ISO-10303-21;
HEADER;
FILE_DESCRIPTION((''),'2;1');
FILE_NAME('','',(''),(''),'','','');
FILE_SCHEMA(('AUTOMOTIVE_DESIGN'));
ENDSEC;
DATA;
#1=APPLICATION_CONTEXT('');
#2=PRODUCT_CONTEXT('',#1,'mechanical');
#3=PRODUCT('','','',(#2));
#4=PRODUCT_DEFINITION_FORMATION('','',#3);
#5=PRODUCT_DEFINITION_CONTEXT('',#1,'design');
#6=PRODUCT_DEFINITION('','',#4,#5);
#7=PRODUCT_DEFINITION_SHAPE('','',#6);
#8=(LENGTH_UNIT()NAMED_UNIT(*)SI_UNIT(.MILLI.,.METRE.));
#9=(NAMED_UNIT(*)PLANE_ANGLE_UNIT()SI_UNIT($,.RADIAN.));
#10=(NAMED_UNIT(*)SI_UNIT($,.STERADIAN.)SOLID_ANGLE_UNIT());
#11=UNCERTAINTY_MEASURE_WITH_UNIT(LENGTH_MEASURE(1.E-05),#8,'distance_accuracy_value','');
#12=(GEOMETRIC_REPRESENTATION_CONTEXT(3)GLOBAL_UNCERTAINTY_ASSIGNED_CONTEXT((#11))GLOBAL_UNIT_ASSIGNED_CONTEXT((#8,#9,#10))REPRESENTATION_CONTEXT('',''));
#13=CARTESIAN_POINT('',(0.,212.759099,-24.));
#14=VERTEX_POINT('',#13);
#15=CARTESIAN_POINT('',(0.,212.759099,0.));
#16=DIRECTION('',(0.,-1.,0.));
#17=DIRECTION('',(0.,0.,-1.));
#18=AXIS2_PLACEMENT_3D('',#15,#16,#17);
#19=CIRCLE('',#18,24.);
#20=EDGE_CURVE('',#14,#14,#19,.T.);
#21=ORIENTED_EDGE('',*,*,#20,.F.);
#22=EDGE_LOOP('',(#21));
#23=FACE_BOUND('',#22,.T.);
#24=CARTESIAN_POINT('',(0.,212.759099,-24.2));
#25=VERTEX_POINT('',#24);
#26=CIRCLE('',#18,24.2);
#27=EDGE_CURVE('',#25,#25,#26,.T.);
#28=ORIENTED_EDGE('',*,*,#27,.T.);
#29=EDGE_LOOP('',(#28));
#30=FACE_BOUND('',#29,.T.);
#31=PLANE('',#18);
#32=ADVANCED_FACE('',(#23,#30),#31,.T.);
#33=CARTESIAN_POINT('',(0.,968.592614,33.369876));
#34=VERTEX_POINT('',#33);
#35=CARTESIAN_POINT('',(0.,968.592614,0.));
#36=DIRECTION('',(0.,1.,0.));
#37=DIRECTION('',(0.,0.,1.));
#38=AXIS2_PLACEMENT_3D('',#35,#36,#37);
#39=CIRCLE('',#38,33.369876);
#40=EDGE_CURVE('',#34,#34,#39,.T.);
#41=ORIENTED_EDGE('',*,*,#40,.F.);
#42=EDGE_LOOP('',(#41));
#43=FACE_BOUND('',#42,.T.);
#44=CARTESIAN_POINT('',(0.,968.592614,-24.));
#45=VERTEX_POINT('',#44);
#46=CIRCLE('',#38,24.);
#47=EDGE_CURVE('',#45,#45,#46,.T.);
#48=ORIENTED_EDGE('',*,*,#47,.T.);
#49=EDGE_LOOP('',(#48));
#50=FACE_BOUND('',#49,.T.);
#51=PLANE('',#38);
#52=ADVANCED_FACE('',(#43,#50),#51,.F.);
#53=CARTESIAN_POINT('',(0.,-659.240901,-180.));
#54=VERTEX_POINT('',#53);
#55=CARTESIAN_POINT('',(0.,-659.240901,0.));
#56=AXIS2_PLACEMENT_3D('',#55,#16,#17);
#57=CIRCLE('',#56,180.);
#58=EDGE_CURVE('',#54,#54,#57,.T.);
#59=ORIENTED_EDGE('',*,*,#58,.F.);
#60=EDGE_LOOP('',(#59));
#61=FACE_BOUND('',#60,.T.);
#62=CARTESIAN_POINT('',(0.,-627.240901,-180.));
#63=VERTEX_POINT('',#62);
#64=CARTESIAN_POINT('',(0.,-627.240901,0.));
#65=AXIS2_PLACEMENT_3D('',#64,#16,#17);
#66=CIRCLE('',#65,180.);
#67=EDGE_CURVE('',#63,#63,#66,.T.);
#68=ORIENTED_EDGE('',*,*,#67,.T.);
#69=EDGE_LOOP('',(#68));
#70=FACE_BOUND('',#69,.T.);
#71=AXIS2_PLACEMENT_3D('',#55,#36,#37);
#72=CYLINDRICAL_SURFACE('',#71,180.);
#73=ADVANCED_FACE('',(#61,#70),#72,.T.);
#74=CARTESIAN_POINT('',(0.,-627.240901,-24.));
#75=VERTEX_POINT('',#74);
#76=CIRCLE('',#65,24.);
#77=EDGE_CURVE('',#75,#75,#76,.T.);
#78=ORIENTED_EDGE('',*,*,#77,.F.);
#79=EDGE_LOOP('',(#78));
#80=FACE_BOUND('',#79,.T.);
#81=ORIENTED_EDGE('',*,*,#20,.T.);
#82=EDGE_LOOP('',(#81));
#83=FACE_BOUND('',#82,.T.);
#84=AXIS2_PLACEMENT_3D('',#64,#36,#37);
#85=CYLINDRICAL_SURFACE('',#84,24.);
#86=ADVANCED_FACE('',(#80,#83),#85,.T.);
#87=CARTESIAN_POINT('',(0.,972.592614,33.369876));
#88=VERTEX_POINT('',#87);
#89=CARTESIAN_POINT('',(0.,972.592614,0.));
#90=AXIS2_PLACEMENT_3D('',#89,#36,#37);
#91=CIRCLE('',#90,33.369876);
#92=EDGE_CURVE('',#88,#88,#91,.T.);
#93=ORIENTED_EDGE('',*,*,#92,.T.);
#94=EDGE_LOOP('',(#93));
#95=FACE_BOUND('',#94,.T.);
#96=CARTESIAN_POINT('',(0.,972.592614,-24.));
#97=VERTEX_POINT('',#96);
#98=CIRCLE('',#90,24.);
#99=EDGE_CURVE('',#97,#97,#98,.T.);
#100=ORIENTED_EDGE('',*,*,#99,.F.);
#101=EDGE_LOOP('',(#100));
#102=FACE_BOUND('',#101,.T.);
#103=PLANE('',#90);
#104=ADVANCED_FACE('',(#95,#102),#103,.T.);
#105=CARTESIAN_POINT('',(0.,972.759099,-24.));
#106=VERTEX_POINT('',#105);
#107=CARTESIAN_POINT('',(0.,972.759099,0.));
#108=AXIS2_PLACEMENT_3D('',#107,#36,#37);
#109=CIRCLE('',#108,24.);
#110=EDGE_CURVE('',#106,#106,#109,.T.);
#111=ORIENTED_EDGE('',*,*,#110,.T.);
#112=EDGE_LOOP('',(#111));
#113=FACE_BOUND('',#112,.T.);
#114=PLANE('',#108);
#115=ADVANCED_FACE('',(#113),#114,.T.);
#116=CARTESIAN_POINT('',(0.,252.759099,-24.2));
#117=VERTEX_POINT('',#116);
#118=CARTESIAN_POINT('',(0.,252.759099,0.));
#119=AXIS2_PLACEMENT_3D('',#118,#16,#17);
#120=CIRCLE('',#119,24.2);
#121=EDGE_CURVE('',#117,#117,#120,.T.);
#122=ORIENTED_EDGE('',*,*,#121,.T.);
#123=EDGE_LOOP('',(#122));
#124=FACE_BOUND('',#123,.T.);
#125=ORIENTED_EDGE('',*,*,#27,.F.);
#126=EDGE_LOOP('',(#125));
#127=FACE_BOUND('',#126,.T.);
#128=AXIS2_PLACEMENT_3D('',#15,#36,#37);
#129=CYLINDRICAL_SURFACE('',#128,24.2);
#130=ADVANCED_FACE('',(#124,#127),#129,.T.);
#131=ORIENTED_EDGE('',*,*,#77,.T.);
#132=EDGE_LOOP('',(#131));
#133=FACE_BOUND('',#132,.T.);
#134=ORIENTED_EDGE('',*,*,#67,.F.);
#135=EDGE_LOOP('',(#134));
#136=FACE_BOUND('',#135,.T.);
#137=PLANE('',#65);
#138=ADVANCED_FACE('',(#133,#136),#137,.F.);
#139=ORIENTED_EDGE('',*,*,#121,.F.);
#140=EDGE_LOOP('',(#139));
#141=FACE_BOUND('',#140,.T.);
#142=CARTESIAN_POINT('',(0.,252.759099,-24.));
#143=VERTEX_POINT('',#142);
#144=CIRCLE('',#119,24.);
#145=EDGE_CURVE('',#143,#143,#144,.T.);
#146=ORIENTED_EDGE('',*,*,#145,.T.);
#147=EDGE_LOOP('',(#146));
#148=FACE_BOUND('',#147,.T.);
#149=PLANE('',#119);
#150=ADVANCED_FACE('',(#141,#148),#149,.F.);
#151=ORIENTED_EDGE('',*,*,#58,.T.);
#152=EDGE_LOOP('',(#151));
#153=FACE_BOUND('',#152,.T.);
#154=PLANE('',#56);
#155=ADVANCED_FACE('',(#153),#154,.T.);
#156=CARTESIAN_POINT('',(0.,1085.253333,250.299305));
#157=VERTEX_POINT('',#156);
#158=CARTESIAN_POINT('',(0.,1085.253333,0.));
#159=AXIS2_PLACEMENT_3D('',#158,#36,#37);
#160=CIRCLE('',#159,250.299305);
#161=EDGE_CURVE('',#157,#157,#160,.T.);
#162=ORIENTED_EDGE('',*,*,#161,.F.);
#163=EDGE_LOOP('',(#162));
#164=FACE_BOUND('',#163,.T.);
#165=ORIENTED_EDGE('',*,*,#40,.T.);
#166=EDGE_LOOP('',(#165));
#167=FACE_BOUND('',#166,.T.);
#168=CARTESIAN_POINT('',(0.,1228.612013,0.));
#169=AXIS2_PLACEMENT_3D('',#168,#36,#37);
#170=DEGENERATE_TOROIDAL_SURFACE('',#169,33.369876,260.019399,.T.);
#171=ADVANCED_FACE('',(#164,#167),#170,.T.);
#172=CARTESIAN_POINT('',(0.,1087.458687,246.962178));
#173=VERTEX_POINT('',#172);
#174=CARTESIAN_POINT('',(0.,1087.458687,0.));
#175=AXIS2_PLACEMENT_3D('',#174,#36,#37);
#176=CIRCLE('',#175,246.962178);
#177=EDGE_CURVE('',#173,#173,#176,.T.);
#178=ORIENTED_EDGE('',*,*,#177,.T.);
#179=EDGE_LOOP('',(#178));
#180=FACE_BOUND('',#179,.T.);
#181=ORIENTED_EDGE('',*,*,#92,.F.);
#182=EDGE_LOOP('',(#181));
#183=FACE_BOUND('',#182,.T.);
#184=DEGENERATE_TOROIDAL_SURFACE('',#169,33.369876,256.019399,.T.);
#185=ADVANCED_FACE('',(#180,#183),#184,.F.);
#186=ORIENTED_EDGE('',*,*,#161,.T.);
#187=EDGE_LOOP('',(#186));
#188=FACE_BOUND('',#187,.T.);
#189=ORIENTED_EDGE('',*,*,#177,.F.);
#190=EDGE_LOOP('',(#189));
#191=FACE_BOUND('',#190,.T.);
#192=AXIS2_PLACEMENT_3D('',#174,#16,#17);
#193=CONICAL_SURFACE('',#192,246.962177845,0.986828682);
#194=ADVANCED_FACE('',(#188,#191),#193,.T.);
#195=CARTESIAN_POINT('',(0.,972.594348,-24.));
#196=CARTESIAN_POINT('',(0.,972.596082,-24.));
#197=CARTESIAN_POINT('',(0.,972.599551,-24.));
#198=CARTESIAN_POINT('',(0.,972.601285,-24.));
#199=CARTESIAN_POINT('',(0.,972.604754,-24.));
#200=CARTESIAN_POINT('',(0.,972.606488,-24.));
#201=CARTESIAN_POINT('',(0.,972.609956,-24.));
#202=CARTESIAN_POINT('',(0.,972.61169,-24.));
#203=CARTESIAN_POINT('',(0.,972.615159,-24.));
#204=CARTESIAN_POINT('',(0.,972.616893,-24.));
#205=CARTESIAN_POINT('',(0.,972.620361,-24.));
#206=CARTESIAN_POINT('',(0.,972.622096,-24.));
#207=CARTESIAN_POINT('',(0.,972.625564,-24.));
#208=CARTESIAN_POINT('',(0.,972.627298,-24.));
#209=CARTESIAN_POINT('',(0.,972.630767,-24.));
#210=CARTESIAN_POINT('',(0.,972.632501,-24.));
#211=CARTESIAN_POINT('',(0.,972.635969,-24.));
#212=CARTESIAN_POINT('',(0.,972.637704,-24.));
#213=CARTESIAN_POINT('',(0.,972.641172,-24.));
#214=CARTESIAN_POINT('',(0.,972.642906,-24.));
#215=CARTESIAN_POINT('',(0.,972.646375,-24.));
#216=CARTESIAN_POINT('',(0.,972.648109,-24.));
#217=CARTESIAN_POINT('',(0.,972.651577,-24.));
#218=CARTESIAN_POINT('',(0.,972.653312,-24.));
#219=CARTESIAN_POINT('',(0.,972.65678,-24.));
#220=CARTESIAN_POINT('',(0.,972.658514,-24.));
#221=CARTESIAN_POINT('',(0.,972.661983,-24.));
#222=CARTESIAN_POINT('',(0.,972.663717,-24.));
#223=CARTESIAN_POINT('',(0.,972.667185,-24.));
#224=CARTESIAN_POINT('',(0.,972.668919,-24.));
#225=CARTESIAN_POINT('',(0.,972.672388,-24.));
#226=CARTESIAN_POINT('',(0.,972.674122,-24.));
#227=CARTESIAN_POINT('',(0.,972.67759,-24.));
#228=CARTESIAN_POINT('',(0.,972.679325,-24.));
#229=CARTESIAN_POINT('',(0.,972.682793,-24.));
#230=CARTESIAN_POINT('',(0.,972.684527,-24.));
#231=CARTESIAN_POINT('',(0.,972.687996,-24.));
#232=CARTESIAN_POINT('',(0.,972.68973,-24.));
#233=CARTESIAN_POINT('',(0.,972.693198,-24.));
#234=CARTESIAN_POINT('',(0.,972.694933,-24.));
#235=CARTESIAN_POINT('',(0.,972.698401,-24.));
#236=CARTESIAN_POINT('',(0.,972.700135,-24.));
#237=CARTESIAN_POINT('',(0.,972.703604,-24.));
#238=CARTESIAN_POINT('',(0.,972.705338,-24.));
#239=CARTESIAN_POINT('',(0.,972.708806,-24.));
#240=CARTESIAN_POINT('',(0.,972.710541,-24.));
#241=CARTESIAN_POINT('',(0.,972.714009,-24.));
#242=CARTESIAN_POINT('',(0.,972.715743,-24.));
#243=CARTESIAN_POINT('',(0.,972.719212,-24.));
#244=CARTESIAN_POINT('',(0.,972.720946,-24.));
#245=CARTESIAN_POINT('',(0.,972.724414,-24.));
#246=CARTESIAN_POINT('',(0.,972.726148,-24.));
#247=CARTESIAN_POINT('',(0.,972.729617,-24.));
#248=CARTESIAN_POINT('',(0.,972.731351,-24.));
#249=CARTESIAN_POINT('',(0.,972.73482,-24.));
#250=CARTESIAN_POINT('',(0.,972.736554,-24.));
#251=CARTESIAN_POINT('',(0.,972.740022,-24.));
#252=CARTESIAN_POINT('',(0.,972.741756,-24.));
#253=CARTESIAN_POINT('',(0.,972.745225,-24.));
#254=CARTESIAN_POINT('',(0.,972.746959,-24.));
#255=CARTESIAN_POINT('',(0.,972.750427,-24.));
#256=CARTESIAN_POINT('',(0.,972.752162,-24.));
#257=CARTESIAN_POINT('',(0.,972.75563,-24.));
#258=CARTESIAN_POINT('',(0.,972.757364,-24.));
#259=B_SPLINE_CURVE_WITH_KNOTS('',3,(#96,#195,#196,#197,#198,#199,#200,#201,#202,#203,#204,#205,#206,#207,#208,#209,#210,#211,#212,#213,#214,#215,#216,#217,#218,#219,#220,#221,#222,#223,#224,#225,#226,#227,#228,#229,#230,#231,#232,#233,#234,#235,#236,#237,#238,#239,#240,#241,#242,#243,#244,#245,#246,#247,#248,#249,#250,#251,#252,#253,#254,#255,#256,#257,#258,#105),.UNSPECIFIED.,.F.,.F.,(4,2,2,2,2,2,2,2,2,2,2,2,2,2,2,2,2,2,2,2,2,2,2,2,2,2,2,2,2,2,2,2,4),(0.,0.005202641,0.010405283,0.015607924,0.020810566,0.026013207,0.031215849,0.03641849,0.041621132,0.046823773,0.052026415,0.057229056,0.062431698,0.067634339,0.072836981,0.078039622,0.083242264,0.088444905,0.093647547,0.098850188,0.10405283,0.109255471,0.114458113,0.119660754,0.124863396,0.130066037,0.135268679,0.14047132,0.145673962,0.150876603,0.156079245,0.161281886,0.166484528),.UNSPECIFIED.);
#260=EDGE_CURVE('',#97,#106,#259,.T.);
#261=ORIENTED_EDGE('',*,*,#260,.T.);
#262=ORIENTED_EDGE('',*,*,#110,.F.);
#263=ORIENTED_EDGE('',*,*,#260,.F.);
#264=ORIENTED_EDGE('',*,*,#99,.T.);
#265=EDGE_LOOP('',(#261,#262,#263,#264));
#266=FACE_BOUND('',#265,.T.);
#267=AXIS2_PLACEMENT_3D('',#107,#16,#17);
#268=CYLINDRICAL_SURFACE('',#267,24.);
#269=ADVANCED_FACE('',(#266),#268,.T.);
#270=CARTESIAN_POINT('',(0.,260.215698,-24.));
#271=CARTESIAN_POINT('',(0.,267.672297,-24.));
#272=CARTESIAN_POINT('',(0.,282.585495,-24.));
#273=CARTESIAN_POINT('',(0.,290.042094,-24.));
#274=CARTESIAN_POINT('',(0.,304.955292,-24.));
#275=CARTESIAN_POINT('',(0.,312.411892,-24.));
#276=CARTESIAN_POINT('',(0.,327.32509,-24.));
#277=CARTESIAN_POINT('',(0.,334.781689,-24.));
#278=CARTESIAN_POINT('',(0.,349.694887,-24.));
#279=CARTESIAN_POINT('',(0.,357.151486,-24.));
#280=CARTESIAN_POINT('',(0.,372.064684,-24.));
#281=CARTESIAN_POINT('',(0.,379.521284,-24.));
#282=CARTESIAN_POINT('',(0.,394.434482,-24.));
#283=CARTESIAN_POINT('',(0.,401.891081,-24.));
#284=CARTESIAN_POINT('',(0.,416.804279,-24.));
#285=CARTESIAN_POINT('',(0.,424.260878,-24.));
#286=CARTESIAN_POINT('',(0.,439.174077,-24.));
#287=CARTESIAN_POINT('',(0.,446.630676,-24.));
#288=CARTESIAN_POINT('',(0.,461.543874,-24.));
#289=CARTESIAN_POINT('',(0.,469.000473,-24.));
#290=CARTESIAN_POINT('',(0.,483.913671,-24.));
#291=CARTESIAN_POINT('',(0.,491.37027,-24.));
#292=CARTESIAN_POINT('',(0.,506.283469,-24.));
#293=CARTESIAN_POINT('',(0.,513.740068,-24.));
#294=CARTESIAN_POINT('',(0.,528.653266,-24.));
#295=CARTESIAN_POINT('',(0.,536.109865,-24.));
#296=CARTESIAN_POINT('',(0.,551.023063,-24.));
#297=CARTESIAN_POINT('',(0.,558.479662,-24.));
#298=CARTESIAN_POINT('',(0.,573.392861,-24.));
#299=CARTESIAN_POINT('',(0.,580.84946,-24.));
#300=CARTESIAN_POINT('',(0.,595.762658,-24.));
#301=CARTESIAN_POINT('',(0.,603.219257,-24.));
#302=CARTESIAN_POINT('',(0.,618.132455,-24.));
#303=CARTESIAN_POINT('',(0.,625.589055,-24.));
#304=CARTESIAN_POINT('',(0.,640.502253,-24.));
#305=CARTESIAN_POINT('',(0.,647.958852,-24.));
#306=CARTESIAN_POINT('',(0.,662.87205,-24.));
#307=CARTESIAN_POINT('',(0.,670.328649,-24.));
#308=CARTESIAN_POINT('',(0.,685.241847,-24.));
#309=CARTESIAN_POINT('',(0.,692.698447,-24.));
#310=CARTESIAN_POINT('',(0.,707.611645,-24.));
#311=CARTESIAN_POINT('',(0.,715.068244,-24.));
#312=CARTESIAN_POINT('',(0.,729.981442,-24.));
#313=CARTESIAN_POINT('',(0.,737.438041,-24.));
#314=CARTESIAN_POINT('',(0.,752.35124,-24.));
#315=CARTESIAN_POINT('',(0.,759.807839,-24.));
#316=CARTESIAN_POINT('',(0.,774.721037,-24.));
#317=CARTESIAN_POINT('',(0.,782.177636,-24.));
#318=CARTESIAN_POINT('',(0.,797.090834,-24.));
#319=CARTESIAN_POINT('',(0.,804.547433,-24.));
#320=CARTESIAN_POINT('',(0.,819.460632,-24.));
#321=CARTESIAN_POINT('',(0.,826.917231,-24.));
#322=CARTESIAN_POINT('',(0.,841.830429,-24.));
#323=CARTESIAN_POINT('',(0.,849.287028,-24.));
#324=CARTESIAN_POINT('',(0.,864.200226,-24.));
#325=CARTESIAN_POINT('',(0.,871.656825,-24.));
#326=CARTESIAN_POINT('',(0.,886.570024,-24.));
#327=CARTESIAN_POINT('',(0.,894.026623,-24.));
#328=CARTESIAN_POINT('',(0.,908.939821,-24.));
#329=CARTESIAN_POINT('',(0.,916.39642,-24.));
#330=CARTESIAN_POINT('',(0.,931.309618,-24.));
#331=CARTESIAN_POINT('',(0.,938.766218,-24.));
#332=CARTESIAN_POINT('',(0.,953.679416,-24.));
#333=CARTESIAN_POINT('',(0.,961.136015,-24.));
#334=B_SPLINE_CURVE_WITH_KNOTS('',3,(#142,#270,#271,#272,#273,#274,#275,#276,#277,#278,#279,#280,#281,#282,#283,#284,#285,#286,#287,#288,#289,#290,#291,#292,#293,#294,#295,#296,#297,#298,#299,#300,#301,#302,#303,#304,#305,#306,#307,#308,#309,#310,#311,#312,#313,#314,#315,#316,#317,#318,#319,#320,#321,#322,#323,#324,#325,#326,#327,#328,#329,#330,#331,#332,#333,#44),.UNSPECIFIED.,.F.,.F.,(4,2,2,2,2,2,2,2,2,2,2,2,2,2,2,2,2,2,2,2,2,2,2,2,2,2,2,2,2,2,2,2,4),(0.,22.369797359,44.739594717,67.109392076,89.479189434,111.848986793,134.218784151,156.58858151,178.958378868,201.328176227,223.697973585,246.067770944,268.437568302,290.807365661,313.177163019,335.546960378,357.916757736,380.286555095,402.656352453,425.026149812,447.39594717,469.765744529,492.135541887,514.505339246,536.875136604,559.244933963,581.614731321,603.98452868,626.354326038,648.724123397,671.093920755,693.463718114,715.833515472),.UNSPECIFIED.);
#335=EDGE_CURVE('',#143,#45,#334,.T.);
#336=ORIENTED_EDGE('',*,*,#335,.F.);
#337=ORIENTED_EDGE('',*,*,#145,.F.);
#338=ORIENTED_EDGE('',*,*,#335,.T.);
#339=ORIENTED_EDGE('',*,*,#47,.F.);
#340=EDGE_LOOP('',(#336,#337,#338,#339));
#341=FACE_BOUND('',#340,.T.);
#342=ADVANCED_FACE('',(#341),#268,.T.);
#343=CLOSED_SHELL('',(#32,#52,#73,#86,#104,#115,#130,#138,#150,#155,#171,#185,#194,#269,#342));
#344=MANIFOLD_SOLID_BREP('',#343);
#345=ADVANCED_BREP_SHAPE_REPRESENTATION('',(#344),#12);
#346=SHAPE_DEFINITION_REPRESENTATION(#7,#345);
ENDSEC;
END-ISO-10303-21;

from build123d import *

# Parameters (mm, degrees)
SKETCH1_R           = 6
BASE_EXTRUDE_DEPTH  = 180
SKETCH2_R           = 6.05
BOSS_EXTRUDE1_DEPTH = 10
BOSS_EXTRUDE2_START = 210
SKETCH3_R           = 6
BOSS_EXTRUDE2_DEPTH = 210
SKETCH4_R           = 45
BOSS_EXTRUDE3_DEPTH = 8
SCALE1_SCALE        = 4


with BuildPart() as part:
    # Sketch1 → Base-Extrude (new body)
    with BuildSketch(Plane(origin=(0, 0, 0), x_dir=(1, 0, 0), z_dir=(0, 1, 0))):
        with Locations(Location((0, 0, 0), (0, 0, 90))):
            Circle(SKETCH1_R)
    extrude(amount=BASE_EXTRUDE_DEPTH)

    # Sketch2 → Boss-Extrude1 (add)
    with BuildSketch(Plane.XZ):
        with Locations(Location((0, 0, 0), (0, 0, 270))):
            Circle(SKETCH2_R)
    extrude(amount=BOSS_EXTRUDE1_DEPTH)

    # Sketch3 → Boss-Extrude2 (add)
    with BuildSketch(Plane.XZ.offset(10).offset(BOSS_EXTRUDE2_START)):
        with Locations(Location((0, 0, 0), (0, 0, 270))):
            Circle(SKETCH3_R)
    extrude(amount=-BOSS_EXTRUDE2_DEPTH)

    # Sketch4 → Boss-Extrude3 (add)
    with BuildSketch(Plane.XZ.offset(220)):
        with Locations(Location((0, 0, 0), (0, 0, 270))):
            Circle(SKETCH4_R)
    extrude(amount=BOSS_EXTRUDE3_DEPTH)

    # Sketch5 → Boss-Revolve-Thin1 (revolve)
    with BuildSketch(Plane.XY, mode=Mode.PRIVATE) as boss_revolve_thin1_sk:
        with BuildLine():
            Line((0, 179.958378868), (8.34246908, 179.958378868))
            ThreePointArc((8.34246908, 179.958378868), (38.657452483, 187.592823497), (61.740544461, 208.674897119))
            Line((61.740544461, 208.674897119), (62.574826169, 208.123558718))
            ThreePointArc((62.574826169, 208.123558718), (39.131088208, 186.712102655), (8.34246908, 178.958378868))
            Line((8.34246908, 178.958378868), (0, 178.958378868))
            Line((0, 178.958378868), (0, 179.958378868))
        make_face()
    revolve(boss_revolve_thin1_sk.sketch.rotate(Axis((0, 208.674897119, 0), (0, -1, 0)), 90), axis=Axis((0, 208.674897119, 0), (0, -1, 0)))


with BuildPart() as part_1:
    # Scale1: scaled about (0, -84.253032849, 0)
    add(part.part.scale(SCALE1_SCALE).moved(Location((0, 252.759098547, 0))))


solid = part_1.part
